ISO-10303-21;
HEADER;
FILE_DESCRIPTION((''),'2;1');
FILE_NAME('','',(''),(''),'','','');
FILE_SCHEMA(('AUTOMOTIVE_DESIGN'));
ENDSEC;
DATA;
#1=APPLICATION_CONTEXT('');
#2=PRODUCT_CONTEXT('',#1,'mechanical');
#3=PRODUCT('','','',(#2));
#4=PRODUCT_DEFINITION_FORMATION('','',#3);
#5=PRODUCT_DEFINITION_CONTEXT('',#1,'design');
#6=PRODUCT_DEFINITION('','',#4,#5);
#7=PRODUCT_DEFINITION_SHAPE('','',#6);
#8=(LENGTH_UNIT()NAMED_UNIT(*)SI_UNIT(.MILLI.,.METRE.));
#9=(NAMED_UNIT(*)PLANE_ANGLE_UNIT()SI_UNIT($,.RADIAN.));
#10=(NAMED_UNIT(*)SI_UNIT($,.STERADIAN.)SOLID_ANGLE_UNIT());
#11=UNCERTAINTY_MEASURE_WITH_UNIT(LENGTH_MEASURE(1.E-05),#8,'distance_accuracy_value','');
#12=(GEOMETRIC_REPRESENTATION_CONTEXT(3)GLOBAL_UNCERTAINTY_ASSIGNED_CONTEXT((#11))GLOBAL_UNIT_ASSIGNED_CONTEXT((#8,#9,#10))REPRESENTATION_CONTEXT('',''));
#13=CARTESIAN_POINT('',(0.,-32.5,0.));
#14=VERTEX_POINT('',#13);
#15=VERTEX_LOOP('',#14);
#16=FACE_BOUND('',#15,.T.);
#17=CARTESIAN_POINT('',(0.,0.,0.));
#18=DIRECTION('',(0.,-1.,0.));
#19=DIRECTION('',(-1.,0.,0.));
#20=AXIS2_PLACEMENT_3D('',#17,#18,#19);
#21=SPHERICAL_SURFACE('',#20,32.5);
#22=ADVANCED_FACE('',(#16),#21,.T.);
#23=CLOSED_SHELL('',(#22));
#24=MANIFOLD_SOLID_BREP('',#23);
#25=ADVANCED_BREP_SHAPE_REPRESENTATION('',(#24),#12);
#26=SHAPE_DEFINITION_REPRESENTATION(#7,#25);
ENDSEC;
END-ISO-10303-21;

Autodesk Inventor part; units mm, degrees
ref_plane "YZ Plane" through (0, 0, 0) normal (1, 0, 0) x (0, 1, 0)
ref_plane "XZ Plane" through (0, 0, 0) normal (0, 1, 0) x (-1, 0, 0)
ref_plane "XY Plane" through (0, 0, 0) normal (0, 0, 1) x (1, 0, 0)
sketch "スケッチ1" plane through (0, 0, 0) normal (0, 0, 1) x (1, 0, 0)
  circle A0 centre (0, 0) radius 32.5
  line L0 (0, 32.5) -> (0, -32.5)
  dimension "d0" = 65
revolve "回転1" add sketch "スケッチ1" angle 360 about axis through (0, 32.5, 0) along (0, -1, 0) picked at (-8.9157, -6.154) contours L0 A0
properties part number "ボール2"
